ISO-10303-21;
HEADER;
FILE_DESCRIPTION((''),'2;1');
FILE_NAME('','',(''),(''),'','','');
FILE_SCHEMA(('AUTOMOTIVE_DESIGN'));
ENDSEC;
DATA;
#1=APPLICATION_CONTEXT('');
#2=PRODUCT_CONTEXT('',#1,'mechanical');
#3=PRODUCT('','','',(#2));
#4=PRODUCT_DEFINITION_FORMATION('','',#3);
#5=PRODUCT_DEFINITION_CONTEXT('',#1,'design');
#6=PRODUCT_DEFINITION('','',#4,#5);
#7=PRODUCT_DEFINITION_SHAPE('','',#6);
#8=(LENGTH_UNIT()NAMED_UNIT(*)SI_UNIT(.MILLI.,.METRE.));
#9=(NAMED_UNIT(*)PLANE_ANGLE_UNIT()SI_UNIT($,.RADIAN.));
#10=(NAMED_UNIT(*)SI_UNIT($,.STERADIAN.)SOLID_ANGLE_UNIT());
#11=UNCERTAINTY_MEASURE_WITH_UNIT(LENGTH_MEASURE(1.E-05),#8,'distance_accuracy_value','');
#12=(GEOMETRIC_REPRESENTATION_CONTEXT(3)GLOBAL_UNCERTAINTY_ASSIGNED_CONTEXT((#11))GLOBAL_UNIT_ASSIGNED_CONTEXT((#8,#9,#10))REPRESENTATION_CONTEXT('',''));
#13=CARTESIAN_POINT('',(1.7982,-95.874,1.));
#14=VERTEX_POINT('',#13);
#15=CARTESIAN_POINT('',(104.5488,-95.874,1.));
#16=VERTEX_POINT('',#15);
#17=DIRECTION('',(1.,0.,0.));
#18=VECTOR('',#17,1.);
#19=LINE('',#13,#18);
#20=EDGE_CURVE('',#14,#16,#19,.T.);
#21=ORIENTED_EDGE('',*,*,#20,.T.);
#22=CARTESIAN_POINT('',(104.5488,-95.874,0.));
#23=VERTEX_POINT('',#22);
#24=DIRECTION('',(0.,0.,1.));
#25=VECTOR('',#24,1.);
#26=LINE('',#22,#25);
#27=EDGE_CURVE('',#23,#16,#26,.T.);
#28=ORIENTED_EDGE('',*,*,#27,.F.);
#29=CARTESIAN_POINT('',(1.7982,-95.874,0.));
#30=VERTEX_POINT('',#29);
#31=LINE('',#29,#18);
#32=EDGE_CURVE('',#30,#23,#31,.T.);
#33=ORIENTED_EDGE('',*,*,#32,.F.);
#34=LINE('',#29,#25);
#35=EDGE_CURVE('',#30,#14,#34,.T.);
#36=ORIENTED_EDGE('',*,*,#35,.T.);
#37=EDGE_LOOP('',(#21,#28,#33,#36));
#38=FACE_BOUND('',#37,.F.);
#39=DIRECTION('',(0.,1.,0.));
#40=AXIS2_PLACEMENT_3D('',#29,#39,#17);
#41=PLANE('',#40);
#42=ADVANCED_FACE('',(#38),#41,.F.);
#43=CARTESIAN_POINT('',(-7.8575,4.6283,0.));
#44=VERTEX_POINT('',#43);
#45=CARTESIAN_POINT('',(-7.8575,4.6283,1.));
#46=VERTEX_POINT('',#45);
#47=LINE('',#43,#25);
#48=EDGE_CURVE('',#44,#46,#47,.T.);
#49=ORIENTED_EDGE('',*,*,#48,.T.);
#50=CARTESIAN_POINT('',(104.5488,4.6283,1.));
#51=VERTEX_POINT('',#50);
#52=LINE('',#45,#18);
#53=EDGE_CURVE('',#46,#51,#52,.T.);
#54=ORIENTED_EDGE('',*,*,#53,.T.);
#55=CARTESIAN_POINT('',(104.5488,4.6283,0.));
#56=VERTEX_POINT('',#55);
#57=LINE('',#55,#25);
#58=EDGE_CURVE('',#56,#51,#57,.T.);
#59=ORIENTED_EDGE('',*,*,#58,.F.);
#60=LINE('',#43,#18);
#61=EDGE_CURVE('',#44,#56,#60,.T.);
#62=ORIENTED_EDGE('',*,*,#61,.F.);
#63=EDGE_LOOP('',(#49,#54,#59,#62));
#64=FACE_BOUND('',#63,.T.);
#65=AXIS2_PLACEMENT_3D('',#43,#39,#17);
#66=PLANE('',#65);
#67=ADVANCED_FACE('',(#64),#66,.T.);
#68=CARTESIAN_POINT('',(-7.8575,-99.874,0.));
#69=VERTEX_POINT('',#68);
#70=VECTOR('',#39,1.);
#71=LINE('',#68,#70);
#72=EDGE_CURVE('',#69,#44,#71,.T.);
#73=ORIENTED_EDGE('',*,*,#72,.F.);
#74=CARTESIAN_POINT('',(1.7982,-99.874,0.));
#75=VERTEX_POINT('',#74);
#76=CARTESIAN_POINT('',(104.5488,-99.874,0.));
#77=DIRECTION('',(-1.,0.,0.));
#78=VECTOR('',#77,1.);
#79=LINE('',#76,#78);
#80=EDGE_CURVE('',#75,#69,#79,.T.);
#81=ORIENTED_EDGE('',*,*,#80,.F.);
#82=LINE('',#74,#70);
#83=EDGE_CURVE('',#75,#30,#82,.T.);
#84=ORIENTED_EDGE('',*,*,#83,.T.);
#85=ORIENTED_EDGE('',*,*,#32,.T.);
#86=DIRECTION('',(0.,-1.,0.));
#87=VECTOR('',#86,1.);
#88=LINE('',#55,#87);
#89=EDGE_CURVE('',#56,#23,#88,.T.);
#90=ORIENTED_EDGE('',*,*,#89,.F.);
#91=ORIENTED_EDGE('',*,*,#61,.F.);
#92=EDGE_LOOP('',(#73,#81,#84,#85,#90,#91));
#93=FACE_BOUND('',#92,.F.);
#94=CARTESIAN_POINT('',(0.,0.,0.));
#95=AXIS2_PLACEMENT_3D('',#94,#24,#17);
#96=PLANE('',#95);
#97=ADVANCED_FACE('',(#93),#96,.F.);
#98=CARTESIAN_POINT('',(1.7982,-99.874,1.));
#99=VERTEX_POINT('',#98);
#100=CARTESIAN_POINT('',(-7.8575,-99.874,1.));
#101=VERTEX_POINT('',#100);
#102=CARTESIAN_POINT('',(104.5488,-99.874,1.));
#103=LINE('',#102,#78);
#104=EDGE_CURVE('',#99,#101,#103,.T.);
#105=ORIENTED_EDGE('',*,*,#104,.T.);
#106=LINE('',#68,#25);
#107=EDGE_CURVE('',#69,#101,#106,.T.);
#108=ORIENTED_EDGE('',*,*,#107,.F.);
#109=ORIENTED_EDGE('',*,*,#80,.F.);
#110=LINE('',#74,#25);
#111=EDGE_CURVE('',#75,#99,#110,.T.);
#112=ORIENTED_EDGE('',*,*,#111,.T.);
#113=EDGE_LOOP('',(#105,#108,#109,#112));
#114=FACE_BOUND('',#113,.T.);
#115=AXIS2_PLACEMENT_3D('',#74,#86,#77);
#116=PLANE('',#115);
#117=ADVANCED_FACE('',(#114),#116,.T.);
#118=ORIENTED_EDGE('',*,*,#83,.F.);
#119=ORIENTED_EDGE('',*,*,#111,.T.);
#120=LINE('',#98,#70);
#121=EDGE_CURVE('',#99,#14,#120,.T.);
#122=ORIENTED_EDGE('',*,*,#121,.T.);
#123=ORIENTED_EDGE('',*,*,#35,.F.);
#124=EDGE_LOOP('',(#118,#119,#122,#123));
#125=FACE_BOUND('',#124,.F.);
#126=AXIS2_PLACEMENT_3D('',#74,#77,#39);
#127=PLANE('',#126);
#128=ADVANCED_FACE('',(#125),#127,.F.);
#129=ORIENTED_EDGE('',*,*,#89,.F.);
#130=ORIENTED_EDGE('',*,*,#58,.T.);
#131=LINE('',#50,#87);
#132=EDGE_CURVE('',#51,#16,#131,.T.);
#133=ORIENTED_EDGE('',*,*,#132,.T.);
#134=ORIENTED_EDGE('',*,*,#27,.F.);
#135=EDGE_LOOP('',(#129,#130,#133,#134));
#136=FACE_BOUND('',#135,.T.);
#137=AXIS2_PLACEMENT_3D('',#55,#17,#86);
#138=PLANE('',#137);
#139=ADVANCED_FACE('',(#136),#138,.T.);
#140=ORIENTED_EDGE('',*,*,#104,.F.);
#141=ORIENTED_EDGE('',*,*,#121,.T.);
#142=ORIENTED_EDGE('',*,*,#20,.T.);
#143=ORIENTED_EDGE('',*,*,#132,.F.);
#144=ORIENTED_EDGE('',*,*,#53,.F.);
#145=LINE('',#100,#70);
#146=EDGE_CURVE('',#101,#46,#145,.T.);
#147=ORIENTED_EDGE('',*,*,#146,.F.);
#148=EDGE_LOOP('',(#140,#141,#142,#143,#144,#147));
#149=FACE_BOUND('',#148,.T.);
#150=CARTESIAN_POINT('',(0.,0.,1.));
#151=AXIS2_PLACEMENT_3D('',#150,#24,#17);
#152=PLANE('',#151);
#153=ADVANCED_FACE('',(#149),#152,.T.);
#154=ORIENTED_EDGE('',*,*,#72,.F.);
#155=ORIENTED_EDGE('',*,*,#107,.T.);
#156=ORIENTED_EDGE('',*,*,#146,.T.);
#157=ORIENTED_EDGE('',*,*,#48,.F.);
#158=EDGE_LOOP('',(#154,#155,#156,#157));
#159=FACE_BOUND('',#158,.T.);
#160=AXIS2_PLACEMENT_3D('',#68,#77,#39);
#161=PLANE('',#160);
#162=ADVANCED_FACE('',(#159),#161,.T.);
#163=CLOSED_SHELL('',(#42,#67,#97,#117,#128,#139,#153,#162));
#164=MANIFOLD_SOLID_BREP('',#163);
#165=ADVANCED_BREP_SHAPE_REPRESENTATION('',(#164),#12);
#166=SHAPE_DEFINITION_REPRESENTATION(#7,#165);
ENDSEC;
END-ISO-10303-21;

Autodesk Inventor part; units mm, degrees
ref_plane "YZ Plane" through (0, 0, 0) normal (1, 0, 0) x (0, 1, 0)
ref_plane "XZ Plane" through (0, 0, 0) normal (0, 1, 0) x (-1, 0, 0)
ref_plane "XY Plane" through (0, 0, 0) normal (0, 0, 1) x (1, 0, 0)
ref_plane "Plano de trabalho1" through (0, 0, 0) normal (0, 0, 1) x (1, 0, 0)
sketch "Esboço1" plane through (0, 0, 0) normal (0, 0, 1) x (1, 0, 0)
  line L0 (1.7982, -99.874) -> (1.7982, -95.874) projected
  line L1 (1.7982, -99.874) -> (197.7982, -99.874) projected
  line L2 (197.7982, -95.874) -> (197.7982, -99.874) projected
  line L3 (1.7982, -95.874) -> (197.7982, -95.874) projected
  line L4 (-7.8575, 4.6283) -> (104.5488, 4.6283)
  line L5 (104.5488, 4.6283) -> (104.5488, -99.874)
  line L6 (104.5488, -99.874) -> (-7.8575, -99.874)
  line L7 (-7.8575, -99.874) -> (-7.8575, 4.6283)
  point P0 (0, 0)
  point P1 (104.5488, -95.874)
extrude "Extrusão1" add sketch "Esboço1" along normal blind 1 contours L6 L7 L4 L5 L3 L0
